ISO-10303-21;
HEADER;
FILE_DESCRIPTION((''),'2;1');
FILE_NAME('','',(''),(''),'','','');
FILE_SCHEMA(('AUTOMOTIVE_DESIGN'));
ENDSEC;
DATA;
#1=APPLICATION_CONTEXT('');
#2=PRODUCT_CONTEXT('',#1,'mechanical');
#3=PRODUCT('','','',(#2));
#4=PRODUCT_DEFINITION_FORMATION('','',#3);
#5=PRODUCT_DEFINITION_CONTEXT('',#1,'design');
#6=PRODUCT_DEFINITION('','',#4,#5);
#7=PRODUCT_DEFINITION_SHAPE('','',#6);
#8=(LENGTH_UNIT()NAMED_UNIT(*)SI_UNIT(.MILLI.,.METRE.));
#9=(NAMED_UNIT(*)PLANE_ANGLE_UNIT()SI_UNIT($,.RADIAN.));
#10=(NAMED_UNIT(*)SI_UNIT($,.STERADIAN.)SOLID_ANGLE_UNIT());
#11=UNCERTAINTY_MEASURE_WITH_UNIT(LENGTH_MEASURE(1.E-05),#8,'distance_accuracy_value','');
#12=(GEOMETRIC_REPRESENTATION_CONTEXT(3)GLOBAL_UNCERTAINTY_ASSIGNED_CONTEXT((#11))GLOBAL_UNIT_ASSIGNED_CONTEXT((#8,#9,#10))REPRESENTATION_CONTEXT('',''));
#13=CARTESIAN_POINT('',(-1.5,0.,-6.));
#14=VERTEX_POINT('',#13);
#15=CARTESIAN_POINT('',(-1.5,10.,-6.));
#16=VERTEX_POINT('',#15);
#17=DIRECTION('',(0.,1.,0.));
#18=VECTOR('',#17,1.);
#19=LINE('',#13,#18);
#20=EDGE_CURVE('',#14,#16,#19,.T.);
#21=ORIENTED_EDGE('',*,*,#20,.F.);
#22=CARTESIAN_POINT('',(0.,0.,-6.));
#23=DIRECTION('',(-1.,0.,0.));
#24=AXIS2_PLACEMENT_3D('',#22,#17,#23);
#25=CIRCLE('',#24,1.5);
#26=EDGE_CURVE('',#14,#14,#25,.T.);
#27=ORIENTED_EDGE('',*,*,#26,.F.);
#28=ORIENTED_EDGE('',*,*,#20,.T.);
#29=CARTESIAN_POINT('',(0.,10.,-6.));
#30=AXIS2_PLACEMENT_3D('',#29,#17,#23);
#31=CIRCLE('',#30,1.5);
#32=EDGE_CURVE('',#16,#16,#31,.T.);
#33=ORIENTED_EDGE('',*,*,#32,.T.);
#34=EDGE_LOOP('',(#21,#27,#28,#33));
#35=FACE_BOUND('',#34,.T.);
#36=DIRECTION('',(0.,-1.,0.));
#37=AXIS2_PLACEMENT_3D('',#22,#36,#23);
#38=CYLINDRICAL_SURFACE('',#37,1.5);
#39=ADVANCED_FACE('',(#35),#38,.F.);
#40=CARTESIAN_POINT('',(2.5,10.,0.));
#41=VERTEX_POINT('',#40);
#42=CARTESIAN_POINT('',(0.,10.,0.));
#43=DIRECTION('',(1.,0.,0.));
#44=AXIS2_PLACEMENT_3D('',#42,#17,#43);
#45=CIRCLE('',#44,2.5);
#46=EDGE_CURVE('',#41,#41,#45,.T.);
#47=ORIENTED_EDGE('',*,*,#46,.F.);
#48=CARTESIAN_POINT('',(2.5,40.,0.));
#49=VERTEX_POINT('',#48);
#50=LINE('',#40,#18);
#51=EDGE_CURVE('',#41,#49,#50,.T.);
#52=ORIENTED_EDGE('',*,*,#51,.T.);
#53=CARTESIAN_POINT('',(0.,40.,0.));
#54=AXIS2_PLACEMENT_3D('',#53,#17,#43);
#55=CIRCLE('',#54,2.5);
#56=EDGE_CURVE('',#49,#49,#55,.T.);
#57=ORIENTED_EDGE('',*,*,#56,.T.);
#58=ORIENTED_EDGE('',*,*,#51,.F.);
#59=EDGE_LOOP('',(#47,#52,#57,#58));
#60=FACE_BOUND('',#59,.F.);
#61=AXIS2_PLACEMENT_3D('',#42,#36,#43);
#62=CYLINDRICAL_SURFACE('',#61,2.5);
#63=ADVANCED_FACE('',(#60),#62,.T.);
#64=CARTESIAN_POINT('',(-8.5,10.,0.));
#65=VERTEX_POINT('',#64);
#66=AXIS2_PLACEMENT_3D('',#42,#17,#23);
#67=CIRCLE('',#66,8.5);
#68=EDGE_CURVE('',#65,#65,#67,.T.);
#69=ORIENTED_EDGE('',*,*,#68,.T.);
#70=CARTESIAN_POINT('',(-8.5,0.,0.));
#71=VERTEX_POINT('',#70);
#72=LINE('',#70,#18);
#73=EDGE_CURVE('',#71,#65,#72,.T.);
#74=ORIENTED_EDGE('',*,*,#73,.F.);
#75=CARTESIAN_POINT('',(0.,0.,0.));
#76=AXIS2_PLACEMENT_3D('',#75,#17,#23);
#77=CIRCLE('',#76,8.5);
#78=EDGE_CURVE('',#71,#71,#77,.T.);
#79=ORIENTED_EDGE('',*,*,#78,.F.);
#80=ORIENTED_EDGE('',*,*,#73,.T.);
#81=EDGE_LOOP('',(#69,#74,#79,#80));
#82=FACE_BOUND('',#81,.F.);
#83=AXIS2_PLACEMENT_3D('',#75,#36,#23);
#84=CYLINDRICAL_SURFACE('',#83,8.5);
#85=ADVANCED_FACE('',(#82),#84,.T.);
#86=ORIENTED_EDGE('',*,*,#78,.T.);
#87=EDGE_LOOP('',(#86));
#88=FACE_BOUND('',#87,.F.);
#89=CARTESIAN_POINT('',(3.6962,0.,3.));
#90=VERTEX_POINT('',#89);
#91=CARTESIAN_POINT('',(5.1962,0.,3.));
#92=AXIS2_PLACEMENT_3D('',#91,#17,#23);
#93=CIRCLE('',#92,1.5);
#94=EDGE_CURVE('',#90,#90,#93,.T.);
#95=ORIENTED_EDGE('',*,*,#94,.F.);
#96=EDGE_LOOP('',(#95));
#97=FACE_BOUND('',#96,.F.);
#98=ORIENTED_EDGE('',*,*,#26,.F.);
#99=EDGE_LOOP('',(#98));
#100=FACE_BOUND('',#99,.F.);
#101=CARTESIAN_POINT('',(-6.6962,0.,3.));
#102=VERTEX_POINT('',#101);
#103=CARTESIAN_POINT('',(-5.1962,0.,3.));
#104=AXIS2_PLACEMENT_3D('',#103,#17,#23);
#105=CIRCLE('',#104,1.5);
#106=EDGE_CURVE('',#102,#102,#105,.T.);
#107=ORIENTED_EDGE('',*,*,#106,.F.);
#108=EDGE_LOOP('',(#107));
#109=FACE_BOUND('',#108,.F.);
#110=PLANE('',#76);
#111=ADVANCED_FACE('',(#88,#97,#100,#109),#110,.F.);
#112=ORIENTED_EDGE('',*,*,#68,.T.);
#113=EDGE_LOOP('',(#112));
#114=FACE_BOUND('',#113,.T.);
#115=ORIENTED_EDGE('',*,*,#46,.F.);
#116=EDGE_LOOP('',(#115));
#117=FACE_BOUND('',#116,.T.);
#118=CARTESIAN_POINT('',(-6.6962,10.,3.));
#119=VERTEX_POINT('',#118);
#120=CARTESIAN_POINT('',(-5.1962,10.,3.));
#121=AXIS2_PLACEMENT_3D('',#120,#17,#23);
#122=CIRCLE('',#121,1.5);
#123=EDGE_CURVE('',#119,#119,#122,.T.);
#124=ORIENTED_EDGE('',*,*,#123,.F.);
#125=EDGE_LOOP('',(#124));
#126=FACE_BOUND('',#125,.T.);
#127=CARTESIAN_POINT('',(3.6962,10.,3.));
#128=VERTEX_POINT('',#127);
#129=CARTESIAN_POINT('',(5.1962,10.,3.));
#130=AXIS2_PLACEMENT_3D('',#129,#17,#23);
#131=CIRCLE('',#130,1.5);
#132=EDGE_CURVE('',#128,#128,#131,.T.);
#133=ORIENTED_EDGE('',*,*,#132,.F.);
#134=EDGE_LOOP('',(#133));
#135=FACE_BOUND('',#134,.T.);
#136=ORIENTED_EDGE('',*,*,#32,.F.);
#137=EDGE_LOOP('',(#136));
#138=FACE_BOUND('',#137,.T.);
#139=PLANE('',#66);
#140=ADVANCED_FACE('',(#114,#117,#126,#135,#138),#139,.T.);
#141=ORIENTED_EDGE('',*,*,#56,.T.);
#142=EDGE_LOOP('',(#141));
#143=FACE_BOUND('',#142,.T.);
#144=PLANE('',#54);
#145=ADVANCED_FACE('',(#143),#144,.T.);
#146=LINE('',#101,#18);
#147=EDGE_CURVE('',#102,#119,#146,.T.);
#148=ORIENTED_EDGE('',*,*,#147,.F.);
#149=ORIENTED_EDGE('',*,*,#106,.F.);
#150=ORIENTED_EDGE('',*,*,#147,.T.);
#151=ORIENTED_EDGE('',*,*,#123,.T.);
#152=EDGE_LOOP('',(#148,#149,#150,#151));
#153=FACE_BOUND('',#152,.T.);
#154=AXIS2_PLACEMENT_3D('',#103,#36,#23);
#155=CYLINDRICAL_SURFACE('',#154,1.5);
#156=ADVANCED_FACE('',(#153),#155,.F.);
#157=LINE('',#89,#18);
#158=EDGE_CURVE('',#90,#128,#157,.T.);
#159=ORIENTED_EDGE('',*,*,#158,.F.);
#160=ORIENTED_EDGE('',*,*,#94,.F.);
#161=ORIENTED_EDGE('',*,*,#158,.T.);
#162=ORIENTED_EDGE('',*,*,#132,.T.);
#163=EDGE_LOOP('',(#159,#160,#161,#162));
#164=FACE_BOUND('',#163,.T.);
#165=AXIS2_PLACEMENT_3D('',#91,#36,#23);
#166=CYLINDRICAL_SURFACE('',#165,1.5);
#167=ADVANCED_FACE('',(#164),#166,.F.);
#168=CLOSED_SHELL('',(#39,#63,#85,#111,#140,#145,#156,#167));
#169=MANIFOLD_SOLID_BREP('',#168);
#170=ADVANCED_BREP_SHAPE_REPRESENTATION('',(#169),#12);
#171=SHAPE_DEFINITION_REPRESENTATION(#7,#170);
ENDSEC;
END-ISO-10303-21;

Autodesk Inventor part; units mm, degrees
ref_plane "YZ Plane" through (0, 0, 0) normal (1, 0, 0) x (0, 1, 0)
ref_plane "XZ Plane" through (0, 0, 0) normal (0, 1, 0) x (-1, 0, 0)
ref_plane "XY Plane" through (0, 0, 0) normal (0, 0, 1) x (1, 0, 0)
sketch "Sketch1" plane through (0, 0, 0) normal (0, 1, 0) x (-1, 0, 0)
  circle A0 centre (0, 0) radius 8.5
  circle A1 centre (-5.1962, 3) radius 1.5
  circle A2 centre (-5.1962, 3) radius 1.5
  circle A3 centre (5.1962, 3) radius 1.5
  circle A4 centre (5.1962, 3) radius 1.5
  circle A5 centre (0, -6) radius 1.5
  circle A6 centre (0, -6) radius 1.5
  point P0 (0, 0)
extrude "Extrusion1" add sketch "Sketch1" along normal blind 10
sketch "Sketch2" plane through (0, 10, 0) normal (0, 1, 0) x (1, 0, 0)
  circle A0 centre (0, 0) radius 2.5
  dimension "d3" = 5
extrude "Extrusion2" add sketch "Sketch2" along normal blind 30
thread "Thread1" size "12-24 UNC" class "2A" standard "ANSI Unified Screw Threads" length 25.4
sketch "Sketch3" plane through (0, 0, 0) normal (1, 0, 0) x (0, 1, 0)
  point P0 (0, 0)
sketch "Sketch4" plane through (0, 0, 0) normal (1, 0, 0) x (0, 1, 0)
  point P0 (0, 0)
properties part number "Motor top"
